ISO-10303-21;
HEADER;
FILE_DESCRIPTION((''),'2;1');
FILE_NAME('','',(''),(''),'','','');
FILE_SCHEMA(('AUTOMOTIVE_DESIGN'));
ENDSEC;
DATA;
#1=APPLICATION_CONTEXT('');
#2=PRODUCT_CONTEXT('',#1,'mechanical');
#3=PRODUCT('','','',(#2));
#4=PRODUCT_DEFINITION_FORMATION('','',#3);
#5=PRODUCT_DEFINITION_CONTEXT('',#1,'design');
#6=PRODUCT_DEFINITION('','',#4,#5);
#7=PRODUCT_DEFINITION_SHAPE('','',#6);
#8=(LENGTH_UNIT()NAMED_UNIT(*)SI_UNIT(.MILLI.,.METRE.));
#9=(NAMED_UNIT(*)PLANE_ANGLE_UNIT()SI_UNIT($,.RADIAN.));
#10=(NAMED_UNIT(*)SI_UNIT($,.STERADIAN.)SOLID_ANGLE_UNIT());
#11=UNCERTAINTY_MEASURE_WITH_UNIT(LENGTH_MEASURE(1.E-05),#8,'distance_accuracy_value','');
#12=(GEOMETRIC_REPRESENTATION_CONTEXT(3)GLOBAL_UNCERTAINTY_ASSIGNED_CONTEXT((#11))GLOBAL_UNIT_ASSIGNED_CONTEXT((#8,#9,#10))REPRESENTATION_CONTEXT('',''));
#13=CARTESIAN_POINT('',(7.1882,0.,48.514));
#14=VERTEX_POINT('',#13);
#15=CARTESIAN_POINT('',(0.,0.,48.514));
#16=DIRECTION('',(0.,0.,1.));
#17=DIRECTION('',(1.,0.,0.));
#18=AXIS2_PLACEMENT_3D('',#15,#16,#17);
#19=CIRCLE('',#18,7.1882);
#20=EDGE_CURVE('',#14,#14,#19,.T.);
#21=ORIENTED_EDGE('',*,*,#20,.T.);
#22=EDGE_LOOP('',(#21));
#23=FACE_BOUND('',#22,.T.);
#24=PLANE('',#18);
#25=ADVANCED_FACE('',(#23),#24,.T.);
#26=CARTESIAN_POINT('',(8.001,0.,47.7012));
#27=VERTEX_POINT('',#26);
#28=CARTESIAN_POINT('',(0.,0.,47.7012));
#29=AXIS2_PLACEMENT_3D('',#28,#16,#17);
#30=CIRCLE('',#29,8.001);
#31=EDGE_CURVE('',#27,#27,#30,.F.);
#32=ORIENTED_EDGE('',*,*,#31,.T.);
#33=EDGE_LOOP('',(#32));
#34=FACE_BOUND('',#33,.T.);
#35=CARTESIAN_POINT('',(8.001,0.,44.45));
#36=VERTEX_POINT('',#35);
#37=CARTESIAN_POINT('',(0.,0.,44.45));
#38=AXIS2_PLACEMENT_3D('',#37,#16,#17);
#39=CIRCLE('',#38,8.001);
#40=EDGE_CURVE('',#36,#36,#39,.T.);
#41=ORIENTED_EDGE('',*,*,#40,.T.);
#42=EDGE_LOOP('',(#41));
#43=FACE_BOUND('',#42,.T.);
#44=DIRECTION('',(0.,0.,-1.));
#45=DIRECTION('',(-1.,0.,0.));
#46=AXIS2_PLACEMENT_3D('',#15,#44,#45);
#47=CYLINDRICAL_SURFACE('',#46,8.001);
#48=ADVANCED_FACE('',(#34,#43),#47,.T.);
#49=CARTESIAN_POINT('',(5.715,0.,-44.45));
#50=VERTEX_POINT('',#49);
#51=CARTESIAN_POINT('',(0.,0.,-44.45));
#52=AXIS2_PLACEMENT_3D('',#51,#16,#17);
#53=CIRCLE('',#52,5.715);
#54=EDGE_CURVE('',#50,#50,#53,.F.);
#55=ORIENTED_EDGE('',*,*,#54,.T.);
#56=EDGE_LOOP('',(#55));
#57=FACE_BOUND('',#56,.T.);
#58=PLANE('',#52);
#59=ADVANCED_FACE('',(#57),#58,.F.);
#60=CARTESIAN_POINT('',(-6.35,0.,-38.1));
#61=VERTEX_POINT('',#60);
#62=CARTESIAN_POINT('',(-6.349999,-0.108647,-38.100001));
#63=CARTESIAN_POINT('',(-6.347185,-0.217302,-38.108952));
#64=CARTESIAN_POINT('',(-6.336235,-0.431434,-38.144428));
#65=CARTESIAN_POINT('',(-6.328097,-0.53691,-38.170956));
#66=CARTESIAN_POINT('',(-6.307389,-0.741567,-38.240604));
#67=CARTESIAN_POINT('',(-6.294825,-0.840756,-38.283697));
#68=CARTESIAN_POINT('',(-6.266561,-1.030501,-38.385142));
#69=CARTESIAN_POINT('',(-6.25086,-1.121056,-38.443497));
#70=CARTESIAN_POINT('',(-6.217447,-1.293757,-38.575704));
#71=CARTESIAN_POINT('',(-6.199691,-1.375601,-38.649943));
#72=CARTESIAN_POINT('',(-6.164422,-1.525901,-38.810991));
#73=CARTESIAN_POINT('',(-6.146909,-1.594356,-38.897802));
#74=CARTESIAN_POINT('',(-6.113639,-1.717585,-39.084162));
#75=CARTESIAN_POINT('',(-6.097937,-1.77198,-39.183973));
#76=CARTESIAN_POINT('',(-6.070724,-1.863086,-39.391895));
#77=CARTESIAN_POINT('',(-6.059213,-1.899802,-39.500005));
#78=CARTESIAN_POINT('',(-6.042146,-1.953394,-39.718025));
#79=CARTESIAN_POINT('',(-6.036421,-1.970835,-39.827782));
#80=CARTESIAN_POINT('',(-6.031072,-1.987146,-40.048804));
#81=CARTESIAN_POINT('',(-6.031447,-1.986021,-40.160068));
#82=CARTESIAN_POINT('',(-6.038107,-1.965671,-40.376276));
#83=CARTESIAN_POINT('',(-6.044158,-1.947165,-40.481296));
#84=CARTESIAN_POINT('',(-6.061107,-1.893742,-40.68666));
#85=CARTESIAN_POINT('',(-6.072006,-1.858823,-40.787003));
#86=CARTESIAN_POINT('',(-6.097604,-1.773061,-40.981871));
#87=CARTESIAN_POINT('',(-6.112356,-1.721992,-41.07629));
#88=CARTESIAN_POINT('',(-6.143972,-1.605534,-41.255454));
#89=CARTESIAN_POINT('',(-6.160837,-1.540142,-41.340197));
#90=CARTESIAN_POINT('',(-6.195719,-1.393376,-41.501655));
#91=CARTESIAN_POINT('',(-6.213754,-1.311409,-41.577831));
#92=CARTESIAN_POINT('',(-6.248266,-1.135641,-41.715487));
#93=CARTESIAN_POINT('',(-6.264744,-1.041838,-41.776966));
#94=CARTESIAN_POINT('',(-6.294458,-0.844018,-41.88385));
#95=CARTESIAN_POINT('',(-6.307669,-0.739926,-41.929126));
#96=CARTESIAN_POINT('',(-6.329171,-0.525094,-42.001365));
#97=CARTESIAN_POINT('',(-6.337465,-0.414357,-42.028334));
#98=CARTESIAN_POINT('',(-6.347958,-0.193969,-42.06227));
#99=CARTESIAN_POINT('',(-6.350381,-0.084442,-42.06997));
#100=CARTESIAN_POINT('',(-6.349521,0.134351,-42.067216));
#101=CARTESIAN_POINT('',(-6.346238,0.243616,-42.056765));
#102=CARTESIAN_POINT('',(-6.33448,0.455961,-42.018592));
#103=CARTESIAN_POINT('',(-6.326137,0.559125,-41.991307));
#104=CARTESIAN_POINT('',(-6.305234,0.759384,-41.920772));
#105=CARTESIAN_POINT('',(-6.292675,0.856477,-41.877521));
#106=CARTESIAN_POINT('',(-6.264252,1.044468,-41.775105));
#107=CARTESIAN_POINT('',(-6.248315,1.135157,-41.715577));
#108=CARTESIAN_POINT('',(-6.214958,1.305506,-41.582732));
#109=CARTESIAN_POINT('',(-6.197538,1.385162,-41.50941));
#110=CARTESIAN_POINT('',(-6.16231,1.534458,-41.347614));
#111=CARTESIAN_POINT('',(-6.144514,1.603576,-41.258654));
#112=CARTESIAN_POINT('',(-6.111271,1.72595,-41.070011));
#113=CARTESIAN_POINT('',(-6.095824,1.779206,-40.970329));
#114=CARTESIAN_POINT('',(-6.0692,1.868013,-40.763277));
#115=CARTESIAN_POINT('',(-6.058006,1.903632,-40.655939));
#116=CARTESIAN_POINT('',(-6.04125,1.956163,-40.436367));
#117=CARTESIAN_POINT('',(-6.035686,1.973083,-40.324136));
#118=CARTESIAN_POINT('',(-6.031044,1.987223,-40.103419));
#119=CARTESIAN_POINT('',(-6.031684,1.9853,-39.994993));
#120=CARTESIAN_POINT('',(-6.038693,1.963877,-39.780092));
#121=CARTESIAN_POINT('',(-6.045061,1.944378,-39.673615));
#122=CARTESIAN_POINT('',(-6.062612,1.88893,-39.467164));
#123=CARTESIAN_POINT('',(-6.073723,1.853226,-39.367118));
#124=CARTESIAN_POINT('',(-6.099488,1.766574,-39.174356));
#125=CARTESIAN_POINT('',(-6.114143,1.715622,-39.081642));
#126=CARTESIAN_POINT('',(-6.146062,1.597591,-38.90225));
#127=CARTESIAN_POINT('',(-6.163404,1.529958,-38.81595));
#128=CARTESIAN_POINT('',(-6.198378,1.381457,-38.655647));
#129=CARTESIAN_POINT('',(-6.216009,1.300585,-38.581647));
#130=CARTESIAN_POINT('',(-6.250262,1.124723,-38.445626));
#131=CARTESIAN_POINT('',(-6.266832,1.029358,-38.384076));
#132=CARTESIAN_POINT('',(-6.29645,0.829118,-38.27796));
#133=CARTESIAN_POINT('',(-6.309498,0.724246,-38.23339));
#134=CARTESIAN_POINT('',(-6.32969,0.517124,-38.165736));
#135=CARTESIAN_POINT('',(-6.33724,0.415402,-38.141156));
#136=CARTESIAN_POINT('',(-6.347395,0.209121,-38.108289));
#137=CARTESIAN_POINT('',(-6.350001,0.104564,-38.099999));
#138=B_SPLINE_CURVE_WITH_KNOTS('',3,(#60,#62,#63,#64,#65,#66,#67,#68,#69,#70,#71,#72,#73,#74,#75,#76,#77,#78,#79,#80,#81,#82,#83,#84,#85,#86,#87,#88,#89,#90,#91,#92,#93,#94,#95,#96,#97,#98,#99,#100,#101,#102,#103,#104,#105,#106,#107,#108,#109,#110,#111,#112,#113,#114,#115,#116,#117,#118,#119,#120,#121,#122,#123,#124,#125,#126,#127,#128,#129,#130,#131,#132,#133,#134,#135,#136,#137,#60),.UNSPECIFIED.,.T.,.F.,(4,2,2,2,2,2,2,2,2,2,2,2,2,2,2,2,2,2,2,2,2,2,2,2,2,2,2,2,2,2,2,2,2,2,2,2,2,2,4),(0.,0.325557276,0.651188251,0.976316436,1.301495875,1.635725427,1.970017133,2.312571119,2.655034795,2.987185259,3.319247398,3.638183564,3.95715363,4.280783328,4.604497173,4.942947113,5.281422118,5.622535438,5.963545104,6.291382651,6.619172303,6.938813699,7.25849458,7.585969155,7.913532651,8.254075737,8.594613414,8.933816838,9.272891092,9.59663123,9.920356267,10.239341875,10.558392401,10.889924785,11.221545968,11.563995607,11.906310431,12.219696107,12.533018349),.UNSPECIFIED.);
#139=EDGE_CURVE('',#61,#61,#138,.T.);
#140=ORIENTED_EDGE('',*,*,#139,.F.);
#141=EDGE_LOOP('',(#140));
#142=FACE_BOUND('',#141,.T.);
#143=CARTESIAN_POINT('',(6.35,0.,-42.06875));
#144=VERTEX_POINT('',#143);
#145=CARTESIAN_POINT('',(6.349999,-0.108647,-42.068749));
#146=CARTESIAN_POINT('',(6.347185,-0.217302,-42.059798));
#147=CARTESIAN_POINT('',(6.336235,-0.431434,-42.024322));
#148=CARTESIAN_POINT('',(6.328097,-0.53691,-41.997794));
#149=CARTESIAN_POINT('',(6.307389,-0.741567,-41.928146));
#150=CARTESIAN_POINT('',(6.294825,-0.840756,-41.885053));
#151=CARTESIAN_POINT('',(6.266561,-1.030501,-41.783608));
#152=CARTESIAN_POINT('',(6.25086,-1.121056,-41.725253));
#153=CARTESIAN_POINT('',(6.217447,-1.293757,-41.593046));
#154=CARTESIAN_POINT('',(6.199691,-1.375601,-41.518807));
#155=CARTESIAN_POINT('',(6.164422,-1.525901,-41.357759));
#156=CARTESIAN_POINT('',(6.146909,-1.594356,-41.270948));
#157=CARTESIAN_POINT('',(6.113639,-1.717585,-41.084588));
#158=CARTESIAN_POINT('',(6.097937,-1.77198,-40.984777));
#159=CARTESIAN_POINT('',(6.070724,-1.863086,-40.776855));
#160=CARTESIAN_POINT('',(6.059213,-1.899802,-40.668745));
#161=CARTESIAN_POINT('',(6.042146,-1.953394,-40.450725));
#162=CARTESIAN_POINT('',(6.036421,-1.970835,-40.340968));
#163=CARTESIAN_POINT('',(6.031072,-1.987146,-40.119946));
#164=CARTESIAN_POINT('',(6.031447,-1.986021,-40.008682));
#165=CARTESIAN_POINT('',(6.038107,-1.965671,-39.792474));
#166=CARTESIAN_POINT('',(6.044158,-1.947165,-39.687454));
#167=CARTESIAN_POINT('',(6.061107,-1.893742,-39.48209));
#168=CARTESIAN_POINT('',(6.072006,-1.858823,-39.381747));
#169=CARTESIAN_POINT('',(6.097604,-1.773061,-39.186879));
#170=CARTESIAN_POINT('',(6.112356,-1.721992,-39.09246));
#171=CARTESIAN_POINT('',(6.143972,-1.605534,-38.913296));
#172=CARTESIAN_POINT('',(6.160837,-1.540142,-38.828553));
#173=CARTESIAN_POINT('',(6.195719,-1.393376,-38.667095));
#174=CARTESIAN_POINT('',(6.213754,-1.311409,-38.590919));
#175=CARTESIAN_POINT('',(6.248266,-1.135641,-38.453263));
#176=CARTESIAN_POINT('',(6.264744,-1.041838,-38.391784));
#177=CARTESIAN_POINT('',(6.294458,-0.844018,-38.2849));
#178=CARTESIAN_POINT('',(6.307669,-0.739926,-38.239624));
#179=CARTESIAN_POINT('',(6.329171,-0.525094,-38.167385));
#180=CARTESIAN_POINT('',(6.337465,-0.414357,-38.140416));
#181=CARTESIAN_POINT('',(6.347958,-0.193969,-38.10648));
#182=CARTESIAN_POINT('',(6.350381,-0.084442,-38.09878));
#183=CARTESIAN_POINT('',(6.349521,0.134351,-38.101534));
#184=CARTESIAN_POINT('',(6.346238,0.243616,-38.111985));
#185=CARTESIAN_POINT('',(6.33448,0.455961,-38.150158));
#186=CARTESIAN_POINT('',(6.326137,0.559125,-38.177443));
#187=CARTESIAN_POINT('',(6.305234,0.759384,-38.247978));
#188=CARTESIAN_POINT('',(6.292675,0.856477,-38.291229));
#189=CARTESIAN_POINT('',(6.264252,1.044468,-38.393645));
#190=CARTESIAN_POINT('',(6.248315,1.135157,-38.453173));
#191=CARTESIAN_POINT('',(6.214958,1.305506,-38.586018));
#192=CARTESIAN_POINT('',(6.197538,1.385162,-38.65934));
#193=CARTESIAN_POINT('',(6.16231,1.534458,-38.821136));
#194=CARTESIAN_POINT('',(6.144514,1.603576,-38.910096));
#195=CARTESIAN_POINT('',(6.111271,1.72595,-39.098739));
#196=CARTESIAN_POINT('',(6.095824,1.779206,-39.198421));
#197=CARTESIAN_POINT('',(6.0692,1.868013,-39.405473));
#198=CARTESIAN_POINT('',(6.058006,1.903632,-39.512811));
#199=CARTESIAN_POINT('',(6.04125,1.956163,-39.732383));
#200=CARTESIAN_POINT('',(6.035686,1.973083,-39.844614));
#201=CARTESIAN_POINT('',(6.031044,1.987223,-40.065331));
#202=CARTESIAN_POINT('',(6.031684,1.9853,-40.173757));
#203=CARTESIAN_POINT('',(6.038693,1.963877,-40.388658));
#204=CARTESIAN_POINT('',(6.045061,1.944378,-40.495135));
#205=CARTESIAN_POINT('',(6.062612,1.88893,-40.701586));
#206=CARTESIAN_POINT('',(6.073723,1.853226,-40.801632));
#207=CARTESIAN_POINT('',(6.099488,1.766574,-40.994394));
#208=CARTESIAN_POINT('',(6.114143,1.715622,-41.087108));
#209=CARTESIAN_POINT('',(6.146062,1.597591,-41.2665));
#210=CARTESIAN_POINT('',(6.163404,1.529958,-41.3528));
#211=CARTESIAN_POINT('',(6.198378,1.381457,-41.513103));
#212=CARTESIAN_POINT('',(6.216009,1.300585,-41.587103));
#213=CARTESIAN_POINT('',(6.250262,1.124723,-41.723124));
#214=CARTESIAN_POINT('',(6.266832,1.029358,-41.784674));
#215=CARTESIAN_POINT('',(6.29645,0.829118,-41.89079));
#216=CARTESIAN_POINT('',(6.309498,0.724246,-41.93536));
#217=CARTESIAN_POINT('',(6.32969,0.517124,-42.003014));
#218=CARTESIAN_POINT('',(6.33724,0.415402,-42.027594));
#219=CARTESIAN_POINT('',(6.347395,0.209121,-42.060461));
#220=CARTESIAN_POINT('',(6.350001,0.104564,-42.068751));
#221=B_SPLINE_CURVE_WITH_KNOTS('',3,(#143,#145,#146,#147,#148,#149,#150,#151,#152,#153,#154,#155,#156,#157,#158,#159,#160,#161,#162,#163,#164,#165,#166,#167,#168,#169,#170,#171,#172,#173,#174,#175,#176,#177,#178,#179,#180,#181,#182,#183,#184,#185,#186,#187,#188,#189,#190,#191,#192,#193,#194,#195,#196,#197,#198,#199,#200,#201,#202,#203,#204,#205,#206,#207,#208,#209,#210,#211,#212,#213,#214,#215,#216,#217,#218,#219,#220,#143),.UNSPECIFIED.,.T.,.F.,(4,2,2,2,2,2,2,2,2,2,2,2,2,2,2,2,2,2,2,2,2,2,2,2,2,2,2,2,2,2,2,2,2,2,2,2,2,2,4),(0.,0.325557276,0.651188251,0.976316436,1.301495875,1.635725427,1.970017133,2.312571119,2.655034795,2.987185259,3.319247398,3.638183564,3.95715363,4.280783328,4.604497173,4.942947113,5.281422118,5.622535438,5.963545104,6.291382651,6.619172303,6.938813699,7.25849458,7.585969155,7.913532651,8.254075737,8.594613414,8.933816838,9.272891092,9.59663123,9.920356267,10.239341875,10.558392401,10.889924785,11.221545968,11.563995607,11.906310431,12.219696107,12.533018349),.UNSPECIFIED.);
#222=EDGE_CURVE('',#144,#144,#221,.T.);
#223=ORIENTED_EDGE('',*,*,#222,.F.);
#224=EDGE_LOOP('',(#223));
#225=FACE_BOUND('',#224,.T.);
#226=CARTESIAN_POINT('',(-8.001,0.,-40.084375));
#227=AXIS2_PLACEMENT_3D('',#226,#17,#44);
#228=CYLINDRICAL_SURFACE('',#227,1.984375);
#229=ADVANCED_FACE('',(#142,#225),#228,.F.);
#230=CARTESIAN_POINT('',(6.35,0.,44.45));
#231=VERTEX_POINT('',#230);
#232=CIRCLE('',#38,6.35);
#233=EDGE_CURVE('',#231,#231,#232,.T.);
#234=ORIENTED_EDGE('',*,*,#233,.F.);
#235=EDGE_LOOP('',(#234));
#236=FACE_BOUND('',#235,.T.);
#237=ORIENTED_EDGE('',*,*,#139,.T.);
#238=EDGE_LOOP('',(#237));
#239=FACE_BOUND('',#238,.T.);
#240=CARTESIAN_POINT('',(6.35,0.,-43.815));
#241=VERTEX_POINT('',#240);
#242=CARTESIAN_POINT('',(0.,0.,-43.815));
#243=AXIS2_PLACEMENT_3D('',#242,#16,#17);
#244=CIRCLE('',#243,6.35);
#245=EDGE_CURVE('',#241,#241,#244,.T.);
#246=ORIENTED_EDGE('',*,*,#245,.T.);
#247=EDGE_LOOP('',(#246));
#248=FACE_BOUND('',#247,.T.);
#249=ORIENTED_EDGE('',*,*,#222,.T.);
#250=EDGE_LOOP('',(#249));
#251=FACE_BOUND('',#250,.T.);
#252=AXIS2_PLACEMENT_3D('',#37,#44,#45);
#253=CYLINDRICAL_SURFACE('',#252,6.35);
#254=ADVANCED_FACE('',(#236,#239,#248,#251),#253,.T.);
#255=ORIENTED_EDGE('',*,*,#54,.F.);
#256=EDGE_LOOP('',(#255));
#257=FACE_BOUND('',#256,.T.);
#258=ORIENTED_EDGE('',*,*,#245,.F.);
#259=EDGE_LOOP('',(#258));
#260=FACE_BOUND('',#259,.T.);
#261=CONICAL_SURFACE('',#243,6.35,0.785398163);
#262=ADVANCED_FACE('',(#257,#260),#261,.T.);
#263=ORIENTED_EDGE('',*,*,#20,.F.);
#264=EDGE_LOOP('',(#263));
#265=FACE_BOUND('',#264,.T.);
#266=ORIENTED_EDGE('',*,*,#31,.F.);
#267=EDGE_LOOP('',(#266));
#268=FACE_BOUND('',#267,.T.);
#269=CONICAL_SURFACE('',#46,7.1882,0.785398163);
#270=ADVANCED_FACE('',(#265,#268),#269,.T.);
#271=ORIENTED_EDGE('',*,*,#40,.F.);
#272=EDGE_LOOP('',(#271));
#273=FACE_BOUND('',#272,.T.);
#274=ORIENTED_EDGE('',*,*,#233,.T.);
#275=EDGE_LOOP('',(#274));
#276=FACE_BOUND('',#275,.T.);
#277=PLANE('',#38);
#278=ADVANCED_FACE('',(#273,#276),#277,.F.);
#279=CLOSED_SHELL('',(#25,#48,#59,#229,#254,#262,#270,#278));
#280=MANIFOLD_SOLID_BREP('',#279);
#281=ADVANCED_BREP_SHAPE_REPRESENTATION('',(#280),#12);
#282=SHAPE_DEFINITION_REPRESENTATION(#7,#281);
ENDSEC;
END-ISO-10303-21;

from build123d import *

# Parameters (mm, degrees)
SKETCH1_R           = 6.35
EXTRUDE1_DEPTH      = 44.45
SKETCH2_R           = 8.001
EXTRUDE2_DEPTH      = 4.064
CHAMFER1_SIZE       = 0.8128
EXTRUDE3_DEPTH      = 50.816063654
EXTRUDE3_DEPTH_BACK = 50.816063654
SKETCH3_R           = 1.984375
CHAMFER2_SIZE       = 0.635


with BuildPart() as part:
    # Sketch1 → Extrude1 (new, symmetric)
    with BuildSketch(Plane.XY):
        Circle(SKETCH1_R)
    extrude(amount=EXTRUDE1_DEPTH, both=True)

    # Sketch2 → Extrude2 (add)
    with BuildSketch(Plane.XY.offset(44.45)):
        Circle(SKETCH2_R)
    extrude(amount=EXTRUDE2_DEPTH)

    # Chamfer1
    chamfer1_edges = [part.edges().sort_by_distance(p)[0] for p in [
        (-8.001, 0, 48.514),
    ]]
    chamfer(chamfer1_edges, length=CHAMFER1_SIZE)

    # Sketch3 → Extrude3 (cut, two sides: drawn at the far end of the back side and taken through both)
    with BuildSketch(Plane(origin=(0, 0, 0), x_dir=(0, 0, -1), z_dir=(1, 0, 0)).offset(-EXTRUDE3_DEPTH_BACK)):
        with Locations(Location((40.084375, 0, 0), (0, 0, 179.999999999))):
            Circle(SKETCH3_R)
    extrude(amount=EXTRUDE3_DEPTH + EXTRUDE3_DEPTH_BACK, mode=Mode.SUBTRACT)

    # Chamfer2
    chamfer2_edges = [part.edges().sort_by_distance(p)[0] for p in [
        (-6.35, 0, -44.45),
    ]]
    chamfer(chamfer2_edges, length=CHAMFER2_SIZE)


solid = part.part
